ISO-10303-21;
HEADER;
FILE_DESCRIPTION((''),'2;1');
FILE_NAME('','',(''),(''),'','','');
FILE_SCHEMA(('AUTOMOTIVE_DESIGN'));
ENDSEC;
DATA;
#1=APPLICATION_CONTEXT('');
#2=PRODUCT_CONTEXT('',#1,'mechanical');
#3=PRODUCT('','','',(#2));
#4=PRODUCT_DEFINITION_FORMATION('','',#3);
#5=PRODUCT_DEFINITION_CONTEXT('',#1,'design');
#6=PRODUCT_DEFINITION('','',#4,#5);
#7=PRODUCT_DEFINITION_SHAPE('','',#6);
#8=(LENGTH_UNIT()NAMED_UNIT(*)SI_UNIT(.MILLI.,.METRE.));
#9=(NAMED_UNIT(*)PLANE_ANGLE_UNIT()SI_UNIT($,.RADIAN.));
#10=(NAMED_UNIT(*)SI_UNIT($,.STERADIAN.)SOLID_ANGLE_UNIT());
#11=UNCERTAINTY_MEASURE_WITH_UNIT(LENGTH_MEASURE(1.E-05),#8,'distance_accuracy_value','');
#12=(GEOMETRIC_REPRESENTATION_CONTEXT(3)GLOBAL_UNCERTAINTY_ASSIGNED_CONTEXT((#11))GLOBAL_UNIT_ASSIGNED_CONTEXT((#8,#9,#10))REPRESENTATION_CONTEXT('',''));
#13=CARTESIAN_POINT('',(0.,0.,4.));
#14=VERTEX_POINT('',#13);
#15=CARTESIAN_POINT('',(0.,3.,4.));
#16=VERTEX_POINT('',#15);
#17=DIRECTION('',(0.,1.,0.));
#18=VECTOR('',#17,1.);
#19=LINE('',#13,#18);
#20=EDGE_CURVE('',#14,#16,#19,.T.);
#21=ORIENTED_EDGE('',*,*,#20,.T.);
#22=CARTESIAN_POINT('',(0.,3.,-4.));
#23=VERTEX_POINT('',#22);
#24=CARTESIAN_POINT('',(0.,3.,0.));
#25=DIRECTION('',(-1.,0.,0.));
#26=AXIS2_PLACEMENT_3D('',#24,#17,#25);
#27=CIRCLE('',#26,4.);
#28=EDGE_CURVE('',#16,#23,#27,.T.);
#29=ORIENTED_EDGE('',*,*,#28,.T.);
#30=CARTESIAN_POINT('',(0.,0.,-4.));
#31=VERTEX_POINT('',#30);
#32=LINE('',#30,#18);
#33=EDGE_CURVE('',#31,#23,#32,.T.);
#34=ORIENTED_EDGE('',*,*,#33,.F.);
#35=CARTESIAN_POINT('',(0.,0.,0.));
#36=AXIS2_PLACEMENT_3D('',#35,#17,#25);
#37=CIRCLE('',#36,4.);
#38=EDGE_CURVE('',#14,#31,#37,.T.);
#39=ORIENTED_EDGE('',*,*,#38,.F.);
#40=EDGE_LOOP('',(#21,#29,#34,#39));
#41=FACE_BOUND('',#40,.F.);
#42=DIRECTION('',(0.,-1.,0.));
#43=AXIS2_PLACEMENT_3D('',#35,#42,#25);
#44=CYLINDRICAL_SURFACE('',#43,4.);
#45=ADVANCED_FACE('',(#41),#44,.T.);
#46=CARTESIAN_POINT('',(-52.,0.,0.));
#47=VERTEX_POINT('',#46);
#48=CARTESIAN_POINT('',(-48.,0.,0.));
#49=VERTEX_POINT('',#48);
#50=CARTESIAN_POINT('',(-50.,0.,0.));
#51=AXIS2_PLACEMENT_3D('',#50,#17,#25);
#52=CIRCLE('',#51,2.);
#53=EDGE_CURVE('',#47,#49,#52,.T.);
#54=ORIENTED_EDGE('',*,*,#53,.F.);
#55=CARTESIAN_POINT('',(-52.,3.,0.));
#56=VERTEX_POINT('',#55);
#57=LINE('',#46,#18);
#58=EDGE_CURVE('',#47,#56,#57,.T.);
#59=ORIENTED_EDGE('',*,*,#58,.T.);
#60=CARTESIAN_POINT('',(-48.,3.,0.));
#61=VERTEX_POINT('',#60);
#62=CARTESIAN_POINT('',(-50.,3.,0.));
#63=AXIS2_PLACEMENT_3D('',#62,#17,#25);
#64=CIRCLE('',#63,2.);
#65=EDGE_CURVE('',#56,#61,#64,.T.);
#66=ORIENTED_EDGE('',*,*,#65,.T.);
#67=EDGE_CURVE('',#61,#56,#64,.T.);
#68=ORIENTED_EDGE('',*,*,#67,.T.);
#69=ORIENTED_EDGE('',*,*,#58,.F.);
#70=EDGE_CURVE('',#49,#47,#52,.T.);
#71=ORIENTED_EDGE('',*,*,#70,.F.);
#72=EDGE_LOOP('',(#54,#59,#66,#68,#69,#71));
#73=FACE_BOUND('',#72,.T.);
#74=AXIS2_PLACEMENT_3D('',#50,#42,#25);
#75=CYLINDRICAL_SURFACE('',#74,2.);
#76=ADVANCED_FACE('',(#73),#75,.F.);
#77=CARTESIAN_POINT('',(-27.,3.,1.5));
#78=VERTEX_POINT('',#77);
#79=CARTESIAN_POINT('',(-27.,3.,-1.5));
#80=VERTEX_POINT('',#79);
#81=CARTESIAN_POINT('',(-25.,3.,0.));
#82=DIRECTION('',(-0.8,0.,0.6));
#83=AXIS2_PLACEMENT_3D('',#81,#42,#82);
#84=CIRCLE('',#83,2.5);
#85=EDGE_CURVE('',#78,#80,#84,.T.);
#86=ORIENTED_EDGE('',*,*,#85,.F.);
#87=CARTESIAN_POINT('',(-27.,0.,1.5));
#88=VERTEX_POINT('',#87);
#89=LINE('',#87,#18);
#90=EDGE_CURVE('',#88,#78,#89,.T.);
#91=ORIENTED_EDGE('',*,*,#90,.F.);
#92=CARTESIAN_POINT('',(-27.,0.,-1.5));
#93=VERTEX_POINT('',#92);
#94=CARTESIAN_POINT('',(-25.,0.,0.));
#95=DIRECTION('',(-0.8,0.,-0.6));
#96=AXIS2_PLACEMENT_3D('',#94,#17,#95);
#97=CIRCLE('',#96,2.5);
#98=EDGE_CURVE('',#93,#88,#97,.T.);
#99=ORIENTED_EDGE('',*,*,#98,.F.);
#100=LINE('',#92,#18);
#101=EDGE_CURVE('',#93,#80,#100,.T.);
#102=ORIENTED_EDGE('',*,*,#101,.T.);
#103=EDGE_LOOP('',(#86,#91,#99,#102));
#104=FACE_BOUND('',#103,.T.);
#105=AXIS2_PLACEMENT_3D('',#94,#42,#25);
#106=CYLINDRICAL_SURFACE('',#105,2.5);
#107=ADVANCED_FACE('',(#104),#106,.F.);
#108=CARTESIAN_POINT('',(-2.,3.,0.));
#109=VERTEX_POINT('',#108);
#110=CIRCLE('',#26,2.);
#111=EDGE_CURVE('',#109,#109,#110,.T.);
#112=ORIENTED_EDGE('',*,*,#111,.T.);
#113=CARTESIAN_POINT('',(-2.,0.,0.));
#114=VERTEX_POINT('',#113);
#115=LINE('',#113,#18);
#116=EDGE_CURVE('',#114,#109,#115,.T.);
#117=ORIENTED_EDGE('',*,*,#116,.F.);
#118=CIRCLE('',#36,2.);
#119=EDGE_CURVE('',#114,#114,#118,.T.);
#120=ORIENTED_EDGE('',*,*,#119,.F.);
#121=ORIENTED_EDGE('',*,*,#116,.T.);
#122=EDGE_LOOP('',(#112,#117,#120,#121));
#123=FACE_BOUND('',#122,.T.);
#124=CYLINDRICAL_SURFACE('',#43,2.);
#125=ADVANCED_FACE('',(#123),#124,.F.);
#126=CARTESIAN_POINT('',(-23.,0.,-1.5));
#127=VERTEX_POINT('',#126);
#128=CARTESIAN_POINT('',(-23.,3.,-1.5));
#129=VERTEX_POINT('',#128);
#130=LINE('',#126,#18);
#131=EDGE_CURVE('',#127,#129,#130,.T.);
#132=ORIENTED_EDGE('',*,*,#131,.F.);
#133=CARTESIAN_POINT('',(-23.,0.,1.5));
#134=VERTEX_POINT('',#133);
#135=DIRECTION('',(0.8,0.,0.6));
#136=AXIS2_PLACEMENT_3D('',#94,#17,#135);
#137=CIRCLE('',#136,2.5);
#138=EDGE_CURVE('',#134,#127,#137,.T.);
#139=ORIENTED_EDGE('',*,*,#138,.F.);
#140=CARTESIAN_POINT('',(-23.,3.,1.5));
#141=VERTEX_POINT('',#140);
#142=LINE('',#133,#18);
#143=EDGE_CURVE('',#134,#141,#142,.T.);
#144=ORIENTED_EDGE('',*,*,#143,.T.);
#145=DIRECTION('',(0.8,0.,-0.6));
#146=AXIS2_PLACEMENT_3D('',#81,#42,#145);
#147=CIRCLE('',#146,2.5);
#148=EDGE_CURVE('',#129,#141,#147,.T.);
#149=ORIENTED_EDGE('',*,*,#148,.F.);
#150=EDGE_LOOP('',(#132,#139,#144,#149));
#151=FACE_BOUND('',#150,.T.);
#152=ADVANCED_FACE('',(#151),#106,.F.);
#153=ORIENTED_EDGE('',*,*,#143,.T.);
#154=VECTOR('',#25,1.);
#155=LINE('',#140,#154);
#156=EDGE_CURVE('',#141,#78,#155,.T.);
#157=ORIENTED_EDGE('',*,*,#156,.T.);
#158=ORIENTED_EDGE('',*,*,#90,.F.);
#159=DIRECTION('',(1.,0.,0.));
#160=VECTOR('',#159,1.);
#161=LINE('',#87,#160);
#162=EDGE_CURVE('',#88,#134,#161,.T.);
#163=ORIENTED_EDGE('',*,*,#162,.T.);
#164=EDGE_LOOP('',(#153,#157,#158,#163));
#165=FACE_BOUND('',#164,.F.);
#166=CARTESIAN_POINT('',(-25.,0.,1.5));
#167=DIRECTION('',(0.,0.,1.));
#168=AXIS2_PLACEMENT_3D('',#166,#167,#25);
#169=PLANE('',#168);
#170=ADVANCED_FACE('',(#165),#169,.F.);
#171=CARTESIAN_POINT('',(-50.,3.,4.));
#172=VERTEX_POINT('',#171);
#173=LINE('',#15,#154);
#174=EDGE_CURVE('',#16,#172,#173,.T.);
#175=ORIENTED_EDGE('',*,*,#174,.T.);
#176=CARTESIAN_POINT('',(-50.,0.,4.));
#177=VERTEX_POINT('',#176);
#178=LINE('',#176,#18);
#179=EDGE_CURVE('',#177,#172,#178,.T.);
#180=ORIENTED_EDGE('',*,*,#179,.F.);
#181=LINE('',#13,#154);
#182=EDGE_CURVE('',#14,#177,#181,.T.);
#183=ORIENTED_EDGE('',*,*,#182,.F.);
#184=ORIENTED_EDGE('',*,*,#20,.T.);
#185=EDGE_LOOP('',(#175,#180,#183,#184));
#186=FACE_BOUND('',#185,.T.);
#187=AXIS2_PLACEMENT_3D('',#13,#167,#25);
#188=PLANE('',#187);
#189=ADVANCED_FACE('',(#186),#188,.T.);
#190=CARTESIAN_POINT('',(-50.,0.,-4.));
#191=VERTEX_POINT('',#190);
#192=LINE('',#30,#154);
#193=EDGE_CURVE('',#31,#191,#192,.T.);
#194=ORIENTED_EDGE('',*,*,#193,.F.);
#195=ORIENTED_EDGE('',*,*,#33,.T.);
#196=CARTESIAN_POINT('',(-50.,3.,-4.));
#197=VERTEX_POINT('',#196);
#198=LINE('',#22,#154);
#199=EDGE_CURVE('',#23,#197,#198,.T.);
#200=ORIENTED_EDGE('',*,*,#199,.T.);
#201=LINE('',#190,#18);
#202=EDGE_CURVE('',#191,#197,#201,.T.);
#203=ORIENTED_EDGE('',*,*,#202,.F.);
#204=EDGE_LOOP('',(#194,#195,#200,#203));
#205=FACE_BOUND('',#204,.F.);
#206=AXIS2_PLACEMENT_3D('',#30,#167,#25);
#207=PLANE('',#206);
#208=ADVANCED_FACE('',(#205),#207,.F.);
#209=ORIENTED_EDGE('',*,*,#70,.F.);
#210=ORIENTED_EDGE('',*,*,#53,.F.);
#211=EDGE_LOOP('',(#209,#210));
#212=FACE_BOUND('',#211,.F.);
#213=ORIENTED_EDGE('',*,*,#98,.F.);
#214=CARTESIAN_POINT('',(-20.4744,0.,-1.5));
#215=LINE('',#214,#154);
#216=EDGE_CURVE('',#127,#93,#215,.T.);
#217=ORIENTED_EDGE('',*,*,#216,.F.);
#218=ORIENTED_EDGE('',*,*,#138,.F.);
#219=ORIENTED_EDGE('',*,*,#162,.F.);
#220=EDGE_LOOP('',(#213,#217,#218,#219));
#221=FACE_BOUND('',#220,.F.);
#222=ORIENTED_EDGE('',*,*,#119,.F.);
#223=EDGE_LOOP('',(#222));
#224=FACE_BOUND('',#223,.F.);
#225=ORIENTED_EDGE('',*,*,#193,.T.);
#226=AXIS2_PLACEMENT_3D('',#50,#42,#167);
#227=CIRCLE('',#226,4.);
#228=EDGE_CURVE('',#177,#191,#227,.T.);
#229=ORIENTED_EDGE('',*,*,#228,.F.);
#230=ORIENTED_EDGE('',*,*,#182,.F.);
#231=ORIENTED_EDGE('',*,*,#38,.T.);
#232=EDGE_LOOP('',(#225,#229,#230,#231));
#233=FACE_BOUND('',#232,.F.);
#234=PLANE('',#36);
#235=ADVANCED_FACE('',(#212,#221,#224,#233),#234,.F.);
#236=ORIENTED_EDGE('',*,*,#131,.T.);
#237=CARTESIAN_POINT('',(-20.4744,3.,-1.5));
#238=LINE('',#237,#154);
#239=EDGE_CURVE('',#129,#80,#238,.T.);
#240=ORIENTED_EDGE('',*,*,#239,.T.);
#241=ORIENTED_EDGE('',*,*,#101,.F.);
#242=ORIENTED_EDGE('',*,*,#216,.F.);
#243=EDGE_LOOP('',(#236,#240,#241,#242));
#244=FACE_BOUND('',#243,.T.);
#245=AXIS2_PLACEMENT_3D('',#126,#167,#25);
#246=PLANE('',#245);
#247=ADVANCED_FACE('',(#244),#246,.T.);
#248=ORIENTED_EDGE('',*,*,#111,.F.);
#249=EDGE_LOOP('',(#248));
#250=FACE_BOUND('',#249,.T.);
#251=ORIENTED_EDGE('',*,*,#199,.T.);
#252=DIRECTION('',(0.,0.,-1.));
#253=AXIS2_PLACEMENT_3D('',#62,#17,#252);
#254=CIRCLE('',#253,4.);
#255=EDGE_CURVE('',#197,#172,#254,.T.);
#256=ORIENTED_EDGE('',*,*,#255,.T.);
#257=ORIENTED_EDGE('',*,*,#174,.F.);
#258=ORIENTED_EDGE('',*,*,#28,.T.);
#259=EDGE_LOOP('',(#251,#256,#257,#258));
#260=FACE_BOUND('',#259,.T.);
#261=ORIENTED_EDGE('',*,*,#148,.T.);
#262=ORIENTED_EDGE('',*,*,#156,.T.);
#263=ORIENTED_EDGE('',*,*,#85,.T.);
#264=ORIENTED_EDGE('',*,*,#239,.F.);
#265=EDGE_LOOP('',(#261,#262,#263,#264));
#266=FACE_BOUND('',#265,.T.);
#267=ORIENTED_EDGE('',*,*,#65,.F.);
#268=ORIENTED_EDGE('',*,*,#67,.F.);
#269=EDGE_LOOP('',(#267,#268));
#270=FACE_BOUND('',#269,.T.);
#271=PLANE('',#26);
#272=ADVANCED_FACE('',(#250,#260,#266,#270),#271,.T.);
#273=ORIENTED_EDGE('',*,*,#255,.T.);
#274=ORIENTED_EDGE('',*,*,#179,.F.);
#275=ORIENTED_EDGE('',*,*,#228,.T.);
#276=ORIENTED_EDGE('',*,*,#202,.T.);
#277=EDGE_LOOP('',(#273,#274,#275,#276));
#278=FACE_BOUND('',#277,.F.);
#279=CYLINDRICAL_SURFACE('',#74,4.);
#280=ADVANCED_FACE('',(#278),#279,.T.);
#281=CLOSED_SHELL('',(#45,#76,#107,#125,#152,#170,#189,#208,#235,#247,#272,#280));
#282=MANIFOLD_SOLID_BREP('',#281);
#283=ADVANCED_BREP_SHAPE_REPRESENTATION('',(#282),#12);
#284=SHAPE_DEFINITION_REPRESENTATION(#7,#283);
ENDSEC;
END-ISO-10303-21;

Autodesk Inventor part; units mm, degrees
ref_plane "YZ Plane" through (0, 0, 0) normal (1, 0, 0) x (0, 1, 0)
ref_plane "XZ Plane" through (0, 0, 0) normal (0, 1, 0) x (-1, 0, 0)
ref_plane "XY Plane" through (0, 0, 0) normal (0, 0, 1) x (1, 0, 0)
sketch "Sketch1" plane through (0, 0, 0) normal (0, 1, 0) x (-1, 0, 0)
  line L0 (0, 0) -> (25, 0)
  line L1 (25, 0) -> (50, 0)
  circle A0 centre (50, 0) radius 2
  circle A1 centre (50, 0) radius 4
  circle A2 centre (0, 0) radius 4
  line L2 (0, 4) -> (50, 4)
  line L3 (0, -4) -> (50, -4)
  circle A3 centre (25, 0) radius 2.5
  line L4 (25, 0) -> (25, 1.5)
  line L5 (25, 1.5) -> (28.63, 1.5)
  line L6 (28.63, 1.5) -> (20.4744, 1.5)
  line L7 (20.4744, 1.5) -> (20.4744, -1.5)
  line L8 (20.4744, -1.5) -> (28.63, -1.5)
  line L9 (28.63, -1.5) -> (28.63, 1.5)
  circle A4 centre (0, 0) radius 2
  point P0 (27, 1.5)
  point P1 (27, -1.5)
  point P2 (23, -1.5)
  point P3 (23, 1.5)
  dimension "d1" = 25
  dimension "d2" = 25
  dimension "d3" = 4
  dimension "d4" = 8
  dimension "d5" = 8
  dimension "d6" = 5
  dimension "d7" = 1.5
  dimension "d8" = 3
  dimension "d9" = 4
extrude "Extrusion1" add sketch "Sketch1" along normal blind 3 contours A2 | A2 L2 A1 L1 L9 L5 A3 L6 L7 L0 | L0 L7 L8 A3 L9 L1 A1 L3 A2 | L7 L6 A3 L0 | L0 A3 L8 L7 | A1 | A3 L5 L6 | L8 A3 | A3 L5 L9 L1 | L1 L9 L8 A3
properties part number "stuurarm motor"
